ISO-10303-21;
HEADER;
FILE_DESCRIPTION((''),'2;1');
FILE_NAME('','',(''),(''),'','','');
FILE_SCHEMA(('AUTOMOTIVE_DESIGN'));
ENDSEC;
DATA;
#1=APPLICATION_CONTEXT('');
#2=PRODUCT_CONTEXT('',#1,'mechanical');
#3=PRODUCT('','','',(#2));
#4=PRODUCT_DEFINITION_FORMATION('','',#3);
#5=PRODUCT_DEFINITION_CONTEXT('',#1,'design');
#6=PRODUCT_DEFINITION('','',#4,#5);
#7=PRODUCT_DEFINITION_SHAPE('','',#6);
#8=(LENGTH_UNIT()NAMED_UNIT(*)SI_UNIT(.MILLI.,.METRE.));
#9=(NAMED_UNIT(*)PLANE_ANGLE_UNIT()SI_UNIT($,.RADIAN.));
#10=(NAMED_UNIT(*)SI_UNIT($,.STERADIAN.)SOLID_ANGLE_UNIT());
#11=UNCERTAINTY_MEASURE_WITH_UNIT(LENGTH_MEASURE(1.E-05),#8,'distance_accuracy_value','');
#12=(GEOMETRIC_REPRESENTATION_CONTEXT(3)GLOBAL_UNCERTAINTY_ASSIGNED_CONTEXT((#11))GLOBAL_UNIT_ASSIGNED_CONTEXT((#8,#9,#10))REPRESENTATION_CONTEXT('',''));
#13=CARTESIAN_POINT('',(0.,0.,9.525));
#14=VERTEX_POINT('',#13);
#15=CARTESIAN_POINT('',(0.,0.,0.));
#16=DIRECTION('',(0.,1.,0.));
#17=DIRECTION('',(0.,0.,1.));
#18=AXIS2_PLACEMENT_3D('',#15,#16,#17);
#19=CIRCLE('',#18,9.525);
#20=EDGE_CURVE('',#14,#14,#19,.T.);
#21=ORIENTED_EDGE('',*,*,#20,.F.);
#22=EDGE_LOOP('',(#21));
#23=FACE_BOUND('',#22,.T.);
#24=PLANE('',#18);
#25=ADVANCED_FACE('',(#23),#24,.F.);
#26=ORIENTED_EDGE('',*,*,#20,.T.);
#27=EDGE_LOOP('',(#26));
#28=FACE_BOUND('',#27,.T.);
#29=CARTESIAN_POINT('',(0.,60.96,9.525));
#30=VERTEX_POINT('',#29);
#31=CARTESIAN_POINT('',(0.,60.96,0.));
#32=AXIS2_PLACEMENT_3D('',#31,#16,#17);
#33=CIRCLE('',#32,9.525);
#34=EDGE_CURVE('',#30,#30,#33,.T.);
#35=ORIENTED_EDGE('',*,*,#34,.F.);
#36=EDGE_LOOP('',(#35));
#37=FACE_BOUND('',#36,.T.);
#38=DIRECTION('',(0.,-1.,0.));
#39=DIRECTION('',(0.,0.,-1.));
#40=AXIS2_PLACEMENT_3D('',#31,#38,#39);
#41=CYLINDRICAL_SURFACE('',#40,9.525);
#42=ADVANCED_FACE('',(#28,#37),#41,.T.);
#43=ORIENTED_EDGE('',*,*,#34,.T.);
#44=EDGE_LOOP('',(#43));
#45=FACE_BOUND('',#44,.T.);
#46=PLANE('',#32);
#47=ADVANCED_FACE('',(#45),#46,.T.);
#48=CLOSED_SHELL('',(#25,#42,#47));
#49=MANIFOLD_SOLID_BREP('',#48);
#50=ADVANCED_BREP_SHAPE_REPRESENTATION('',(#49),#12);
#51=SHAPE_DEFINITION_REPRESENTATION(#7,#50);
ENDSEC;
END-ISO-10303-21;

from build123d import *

# Parameters (mm, degrees)
SKETCH1_R           = 9.525
BOSS_EXTRUDE1_DEPTH = 60.96


with BuildPart() as part:
    # Sketch1 → Boss-Extrude1 (new body)
    with BuildSketch(Plane(origin=(0, 0, 0), x_dir=(1, 0, 0), z_dir=(0, 1, 0))):
        Circle(SKETCH1_R)
    extrude(amount=BOSS_EXTRUDE1_DEPTH)


solid = part.part
